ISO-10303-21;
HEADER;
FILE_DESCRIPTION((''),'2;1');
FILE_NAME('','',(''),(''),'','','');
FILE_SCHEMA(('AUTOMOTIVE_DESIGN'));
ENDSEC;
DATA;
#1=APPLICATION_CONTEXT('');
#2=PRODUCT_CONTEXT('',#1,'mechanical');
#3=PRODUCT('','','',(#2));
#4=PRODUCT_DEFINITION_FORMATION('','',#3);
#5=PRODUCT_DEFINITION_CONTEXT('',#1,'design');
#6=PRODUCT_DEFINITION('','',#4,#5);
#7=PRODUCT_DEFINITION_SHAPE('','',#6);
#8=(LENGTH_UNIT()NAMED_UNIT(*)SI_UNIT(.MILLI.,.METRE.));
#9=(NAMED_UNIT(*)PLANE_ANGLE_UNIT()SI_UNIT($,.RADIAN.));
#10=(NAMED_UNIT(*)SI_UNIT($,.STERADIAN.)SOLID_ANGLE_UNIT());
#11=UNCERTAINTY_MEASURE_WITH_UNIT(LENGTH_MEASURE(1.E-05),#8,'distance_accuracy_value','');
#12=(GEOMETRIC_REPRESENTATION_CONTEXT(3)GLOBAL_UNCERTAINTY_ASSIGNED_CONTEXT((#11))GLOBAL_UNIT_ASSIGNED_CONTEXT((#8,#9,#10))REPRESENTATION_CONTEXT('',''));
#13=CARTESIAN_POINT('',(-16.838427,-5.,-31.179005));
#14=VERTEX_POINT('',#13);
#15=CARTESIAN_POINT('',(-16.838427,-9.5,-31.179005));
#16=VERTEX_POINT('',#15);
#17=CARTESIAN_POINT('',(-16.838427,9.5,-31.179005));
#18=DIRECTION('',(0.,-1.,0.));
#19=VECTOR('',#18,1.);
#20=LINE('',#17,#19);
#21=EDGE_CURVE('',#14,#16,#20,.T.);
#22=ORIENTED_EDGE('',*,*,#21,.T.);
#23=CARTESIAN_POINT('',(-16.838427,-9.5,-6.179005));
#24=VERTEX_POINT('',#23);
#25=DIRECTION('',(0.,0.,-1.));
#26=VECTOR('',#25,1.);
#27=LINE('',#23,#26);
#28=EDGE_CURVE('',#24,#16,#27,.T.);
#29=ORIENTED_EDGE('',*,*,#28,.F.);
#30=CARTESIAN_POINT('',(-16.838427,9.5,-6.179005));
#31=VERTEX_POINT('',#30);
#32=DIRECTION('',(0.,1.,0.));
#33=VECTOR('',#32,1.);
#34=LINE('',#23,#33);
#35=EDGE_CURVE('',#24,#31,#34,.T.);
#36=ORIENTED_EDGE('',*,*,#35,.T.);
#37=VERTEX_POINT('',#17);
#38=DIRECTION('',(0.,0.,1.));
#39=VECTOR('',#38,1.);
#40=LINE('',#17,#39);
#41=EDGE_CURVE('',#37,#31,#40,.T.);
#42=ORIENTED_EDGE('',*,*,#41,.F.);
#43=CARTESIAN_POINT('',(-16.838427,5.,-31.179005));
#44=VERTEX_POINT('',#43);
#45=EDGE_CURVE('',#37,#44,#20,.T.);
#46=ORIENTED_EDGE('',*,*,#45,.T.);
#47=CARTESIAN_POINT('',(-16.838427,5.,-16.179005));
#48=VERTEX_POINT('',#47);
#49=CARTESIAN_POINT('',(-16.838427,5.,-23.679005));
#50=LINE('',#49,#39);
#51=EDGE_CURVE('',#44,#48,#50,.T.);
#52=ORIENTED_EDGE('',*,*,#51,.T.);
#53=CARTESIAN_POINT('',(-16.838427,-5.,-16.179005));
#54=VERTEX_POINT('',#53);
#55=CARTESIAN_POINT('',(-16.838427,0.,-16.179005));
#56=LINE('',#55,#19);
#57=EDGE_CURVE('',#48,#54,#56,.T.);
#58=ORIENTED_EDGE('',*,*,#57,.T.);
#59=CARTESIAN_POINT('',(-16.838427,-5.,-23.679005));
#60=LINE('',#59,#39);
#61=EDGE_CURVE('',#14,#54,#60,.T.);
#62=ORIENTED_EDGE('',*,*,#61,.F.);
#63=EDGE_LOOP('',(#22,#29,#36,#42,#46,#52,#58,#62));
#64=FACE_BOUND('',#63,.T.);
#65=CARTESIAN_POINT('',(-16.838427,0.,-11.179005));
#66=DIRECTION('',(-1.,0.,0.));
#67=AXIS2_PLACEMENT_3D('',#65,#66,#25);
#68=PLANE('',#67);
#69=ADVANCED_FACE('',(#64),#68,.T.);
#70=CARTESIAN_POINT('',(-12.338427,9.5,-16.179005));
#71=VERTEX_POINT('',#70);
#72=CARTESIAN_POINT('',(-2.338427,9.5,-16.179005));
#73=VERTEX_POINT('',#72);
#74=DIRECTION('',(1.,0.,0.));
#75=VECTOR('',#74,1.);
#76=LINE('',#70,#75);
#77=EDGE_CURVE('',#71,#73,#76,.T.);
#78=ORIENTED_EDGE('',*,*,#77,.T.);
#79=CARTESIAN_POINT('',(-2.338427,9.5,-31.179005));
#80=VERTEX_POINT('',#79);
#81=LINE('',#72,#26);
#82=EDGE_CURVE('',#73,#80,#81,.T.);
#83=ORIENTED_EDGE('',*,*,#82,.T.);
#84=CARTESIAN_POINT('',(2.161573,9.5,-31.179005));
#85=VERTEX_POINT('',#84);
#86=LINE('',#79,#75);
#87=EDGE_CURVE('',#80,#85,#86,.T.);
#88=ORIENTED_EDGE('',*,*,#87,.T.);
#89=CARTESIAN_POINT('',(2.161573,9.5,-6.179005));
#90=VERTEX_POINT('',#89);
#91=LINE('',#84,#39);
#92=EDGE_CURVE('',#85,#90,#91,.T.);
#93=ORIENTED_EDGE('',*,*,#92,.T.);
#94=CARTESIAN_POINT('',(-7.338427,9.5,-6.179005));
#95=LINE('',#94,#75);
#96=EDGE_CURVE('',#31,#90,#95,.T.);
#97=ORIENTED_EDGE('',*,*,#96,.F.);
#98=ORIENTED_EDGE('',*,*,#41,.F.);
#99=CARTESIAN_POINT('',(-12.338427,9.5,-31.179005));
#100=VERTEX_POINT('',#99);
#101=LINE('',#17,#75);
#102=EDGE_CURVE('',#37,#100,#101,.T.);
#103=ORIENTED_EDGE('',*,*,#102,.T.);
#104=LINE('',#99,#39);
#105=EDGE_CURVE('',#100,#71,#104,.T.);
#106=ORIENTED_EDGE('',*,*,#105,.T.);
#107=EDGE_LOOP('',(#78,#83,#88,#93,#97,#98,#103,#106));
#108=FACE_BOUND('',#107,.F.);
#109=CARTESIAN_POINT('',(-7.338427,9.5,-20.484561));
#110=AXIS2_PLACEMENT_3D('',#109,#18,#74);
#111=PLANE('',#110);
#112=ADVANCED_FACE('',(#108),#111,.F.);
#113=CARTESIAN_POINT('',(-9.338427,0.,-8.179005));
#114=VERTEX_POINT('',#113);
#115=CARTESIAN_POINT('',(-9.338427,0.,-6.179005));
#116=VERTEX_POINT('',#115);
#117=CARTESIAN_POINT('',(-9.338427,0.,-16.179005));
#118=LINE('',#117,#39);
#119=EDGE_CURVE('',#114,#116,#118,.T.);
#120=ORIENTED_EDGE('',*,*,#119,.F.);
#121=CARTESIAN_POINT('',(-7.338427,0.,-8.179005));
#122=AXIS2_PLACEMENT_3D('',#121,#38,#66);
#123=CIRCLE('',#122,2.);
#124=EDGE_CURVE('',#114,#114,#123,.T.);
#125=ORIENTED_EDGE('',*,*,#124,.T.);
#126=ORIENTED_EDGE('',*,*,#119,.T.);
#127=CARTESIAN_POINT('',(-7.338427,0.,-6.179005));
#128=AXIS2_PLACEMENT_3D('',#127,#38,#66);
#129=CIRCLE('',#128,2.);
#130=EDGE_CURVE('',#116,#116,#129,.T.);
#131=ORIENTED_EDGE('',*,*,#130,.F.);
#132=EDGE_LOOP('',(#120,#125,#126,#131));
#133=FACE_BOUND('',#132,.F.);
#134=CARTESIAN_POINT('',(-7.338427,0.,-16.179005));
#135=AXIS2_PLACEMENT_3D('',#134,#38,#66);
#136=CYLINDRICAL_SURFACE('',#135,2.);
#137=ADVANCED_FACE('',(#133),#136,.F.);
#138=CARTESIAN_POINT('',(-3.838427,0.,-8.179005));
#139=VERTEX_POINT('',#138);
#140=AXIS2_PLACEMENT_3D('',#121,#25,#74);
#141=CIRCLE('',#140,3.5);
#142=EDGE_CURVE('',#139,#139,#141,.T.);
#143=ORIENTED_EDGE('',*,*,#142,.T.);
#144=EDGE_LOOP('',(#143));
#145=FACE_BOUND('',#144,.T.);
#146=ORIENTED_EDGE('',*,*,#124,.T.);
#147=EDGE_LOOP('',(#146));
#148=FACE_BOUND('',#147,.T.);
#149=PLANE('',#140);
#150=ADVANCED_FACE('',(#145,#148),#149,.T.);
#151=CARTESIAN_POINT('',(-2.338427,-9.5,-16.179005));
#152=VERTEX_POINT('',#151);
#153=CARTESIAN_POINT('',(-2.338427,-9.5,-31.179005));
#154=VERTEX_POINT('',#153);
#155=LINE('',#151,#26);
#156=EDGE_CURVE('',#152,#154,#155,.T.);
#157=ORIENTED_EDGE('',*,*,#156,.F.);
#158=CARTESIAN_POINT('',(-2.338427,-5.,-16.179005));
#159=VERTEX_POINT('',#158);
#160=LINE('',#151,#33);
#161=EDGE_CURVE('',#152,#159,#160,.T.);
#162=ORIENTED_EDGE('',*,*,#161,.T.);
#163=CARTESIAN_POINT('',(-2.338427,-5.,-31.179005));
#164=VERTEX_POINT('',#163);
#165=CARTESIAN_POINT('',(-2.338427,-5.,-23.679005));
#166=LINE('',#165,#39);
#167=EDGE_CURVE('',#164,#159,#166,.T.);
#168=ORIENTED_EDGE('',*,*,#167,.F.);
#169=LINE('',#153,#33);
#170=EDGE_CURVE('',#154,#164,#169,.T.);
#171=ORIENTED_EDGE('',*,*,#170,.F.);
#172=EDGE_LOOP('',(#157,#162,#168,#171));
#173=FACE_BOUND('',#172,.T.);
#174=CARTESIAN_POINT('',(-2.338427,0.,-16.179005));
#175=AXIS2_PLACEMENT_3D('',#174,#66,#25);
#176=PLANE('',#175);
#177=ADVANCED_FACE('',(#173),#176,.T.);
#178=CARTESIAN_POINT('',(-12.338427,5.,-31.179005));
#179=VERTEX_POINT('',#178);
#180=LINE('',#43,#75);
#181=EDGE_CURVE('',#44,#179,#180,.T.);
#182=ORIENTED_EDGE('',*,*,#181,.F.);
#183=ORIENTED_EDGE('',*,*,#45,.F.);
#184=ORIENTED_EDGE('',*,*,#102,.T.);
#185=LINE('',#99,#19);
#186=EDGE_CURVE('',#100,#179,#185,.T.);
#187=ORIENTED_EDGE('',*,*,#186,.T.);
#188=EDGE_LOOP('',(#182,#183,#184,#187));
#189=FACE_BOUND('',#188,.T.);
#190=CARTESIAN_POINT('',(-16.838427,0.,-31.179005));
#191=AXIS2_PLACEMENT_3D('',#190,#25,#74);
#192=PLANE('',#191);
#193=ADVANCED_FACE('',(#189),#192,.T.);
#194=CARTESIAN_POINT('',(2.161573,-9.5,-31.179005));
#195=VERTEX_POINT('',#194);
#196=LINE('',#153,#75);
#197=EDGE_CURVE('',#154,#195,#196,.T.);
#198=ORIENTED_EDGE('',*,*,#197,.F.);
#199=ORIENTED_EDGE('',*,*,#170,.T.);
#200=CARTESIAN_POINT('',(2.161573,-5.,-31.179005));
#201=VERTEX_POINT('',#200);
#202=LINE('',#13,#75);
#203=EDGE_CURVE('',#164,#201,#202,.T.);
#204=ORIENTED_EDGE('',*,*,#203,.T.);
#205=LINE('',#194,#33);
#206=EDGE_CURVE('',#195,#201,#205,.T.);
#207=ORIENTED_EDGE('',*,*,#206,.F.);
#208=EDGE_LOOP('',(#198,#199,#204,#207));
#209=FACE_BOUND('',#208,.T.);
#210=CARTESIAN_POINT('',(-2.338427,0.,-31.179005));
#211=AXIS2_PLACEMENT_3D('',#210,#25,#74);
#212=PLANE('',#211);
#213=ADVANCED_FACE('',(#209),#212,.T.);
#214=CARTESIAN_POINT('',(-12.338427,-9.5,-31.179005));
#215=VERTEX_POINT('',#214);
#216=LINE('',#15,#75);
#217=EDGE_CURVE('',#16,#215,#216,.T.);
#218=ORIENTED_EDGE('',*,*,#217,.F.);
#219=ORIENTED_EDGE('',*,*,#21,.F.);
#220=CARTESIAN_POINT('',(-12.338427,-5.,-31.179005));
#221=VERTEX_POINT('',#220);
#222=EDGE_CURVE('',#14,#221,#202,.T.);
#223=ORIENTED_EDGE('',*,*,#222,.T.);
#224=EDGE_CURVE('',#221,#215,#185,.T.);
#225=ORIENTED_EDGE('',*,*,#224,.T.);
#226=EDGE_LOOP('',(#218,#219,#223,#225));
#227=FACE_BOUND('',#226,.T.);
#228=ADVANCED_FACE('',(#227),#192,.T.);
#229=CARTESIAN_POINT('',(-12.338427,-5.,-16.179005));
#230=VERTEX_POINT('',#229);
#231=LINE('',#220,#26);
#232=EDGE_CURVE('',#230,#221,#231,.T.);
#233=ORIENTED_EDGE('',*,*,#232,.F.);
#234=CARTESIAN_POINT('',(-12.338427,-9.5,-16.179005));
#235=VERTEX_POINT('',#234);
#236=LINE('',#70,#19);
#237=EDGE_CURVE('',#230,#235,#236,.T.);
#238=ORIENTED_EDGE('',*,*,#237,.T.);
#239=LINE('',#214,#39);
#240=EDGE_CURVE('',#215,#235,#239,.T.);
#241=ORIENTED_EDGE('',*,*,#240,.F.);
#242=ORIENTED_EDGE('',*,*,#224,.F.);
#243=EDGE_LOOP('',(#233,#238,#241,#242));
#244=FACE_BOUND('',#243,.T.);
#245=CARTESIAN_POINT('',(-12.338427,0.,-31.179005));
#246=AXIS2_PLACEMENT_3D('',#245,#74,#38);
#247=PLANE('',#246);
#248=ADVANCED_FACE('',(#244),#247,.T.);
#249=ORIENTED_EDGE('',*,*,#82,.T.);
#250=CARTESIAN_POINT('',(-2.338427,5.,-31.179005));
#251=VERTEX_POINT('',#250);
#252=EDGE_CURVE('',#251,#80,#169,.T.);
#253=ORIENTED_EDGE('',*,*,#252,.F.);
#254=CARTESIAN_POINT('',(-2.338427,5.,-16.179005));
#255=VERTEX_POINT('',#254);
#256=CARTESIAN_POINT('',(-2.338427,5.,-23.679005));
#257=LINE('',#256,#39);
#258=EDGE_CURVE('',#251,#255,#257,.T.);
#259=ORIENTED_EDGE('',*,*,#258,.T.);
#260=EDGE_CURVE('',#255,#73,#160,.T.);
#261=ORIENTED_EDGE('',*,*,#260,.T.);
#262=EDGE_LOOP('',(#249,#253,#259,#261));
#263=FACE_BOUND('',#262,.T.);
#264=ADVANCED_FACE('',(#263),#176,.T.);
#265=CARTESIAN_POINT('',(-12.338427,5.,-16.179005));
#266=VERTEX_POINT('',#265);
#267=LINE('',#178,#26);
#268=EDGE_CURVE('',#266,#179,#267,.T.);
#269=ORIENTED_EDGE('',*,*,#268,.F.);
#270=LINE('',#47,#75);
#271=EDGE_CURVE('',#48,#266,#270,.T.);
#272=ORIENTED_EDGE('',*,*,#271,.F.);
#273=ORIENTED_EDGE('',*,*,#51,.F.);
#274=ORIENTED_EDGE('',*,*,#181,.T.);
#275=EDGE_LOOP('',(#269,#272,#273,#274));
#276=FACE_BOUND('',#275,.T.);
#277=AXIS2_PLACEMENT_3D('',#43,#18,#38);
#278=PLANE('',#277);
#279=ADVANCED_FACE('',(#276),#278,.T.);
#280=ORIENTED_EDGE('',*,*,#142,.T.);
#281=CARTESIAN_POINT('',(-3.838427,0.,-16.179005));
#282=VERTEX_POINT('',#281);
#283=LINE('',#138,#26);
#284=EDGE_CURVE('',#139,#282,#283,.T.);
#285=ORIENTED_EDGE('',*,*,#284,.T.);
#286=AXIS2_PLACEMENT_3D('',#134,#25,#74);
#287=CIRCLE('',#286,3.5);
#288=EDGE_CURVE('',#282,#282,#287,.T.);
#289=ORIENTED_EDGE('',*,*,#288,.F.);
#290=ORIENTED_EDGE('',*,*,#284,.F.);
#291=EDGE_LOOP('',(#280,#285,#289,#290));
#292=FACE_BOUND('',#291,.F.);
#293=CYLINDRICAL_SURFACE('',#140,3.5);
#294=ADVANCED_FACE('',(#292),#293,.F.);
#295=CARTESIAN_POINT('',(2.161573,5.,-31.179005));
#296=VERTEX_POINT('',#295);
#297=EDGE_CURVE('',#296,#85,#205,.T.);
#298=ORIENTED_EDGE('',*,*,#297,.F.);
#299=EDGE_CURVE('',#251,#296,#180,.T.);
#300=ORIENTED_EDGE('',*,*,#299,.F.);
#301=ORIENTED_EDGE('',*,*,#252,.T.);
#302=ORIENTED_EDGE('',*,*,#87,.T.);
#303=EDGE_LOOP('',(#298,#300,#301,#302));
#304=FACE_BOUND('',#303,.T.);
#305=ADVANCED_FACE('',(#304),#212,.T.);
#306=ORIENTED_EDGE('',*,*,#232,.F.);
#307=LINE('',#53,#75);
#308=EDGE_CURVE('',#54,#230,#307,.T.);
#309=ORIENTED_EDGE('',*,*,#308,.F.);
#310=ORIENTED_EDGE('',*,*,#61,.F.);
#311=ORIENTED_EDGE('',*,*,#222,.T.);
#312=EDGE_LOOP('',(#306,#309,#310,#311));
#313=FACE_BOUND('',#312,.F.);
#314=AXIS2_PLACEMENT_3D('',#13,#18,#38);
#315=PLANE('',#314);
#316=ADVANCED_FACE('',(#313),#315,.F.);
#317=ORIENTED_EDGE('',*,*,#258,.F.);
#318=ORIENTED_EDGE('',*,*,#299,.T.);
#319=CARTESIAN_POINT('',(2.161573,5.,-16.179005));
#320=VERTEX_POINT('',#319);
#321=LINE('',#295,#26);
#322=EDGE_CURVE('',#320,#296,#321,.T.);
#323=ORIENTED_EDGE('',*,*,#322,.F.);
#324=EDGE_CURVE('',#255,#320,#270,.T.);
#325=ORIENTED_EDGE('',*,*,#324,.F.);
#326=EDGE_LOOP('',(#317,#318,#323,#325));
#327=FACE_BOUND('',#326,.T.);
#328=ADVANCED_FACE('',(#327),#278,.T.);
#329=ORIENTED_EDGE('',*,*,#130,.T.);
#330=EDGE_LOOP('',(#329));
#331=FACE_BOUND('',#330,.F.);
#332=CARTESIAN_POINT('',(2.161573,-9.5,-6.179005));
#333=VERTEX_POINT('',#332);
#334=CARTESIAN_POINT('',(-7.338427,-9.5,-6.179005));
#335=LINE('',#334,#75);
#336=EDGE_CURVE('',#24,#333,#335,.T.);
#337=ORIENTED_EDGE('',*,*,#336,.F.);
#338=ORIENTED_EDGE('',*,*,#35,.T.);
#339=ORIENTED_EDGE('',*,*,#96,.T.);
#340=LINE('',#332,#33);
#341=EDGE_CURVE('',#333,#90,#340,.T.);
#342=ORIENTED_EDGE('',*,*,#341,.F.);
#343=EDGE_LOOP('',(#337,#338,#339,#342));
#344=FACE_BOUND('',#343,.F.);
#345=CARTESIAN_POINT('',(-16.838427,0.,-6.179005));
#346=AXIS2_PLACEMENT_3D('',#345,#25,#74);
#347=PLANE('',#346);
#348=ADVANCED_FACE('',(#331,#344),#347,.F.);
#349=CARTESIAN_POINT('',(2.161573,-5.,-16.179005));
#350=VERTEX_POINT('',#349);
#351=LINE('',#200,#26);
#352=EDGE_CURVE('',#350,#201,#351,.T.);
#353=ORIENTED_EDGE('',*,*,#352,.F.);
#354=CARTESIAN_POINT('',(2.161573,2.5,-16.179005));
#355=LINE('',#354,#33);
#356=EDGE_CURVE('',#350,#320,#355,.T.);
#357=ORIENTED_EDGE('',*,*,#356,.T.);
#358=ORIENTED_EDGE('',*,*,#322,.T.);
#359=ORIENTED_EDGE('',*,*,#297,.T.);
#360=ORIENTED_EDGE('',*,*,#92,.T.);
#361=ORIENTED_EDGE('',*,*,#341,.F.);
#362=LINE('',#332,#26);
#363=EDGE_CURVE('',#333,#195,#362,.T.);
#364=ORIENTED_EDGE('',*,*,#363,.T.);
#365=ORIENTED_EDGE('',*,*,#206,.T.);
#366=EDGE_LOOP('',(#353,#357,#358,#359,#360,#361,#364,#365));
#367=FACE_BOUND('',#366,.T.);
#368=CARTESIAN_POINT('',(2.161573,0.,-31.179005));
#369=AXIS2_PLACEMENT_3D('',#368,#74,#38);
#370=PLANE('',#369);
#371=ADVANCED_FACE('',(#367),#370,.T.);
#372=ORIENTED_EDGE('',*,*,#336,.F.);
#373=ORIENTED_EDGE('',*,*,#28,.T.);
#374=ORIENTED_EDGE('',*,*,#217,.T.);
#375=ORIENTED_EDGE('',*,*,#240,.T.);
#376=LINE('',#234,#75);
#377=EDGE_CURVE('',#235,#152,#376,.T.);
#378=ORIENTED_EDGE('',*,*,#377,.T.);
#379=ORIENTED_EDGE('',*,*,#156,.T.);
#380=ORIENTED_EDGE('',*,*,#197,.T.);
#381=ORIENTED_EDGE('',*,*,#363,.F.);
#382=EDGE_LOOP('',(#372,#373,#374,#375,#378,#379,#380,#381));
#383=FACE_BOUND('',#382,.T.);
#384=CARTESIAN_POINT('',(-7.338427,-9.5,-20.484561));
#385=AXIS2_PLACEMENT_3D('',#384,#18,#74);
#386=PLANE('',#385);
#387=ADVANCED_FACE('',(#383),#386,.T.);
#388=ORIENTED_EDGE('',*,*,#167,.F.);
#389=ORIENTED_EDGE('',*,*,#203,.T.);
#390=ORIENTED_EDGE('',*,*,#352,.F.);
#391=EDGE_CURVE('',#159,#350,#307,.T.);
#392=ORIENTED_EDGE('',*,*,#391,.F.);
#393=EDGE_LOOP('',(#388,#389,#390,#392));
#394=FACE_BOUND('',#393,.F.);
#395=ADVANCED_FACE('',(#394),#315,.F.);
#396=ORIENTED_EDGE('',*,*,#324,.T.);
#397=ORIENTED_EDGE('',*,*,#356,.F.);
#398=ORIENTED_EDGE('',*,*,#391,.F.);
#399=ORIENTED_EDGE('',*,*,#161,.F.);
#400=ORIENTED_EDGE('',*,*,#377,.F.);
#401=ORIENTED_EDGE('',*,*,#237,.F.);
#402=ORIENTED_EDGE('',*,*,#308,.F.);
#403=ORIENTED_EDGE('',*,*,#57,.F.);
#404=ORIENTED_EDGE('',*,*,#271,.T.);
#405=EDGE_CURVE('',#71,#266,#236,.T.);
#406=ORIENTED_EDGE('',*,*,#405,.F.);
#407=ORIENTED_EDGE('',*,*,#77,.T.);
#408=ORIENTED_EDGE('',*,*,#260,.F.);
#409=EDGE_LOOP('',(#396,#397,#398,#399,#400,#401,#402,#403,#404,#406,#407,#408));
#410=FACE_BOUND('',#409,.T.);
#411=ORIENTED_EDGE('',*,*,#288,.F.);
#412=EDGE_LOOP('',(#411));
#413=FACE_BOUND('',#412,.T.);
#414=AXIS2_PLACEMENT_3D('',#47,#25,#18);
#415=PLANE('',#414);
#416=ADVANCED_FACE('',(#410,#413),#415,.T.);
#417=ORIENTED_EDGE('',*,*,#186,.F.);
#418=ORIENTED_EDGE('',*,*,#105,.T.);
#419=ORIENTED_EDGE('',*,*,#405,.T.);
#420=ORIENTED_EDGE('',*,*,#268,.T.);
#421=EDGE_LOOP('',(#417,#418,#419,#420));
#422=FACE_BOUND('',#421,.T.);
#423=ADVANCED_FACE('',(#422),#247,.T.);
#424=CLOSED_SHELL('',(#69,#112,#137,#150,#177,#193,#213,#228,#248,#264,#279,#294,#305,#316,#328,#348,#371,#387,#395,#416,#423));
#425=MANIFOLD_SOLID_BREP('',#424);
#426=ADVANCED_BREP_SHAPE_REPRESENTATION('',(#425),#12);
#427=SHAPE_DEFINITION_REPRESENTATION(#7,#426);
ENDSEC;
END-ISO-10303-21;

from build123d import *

# Parameters (mm, degrees)
F0_W           = 19
F0_H           = 5
F1_DEPTH       = 9.5
F2_DEPTH       = 9.5
F3_W           = 10
F3_H           = 15
F4_DEPTH       = 25
F6_D           = 4
F6_CBORE_D     = 7
F6_CBORE_DEPTH = 8


with BuildPart() as f1:
    # F0 (on Front) → F1 (new body, symmetric)
    with BuildSketch(Plane.XZ):
        with Locations((-7.338427, -8.679005)):
            Rectangle(F0_W, F0_H)
    extrude(amount=F1_DEPTH, both=True)

    # F0 (on Front) → F2 (join, symmetric)
    with BuildSketch(Plane.XZ):
        Polygon((2.161573, -31.179005), (2.161573, -11.179005), (-16.838427, -11.179005), (-16.838427, -31.179005), (-12.338427, -31.179005), (-12.338427, -16.179005), (-2.338427, -16.179005), (-2.338427, -31.179005), align=None)
    extrude(amount=F2_DEPTH, both=True)

    # F3 (on face) → F4 (cut)
    with BuildSketch(Plane(origin=(-16.838427, 0, 0), x_dir=(0, -1, 0), z_dir=(-1, 0, 0))):
        with Locations((0, -23.679005)):
            Rectangle(F3_W, F3_H)
    extrude(amount=-F4_DEPTH, mode=Mode.SUBTRACT)

    # F6 (through all)
    with Locations(Plane(origin=(0, 0, -16.179005), x_dir=(1, 0, 0), z_dir=(0, 0, -1))):
        with Locations((-7.338427, 0)):
            CounterBoreHole(F6_D / 2, F6_CBORE_D / 2, F6_CBORE_DEPTH)


solid = f1.part
